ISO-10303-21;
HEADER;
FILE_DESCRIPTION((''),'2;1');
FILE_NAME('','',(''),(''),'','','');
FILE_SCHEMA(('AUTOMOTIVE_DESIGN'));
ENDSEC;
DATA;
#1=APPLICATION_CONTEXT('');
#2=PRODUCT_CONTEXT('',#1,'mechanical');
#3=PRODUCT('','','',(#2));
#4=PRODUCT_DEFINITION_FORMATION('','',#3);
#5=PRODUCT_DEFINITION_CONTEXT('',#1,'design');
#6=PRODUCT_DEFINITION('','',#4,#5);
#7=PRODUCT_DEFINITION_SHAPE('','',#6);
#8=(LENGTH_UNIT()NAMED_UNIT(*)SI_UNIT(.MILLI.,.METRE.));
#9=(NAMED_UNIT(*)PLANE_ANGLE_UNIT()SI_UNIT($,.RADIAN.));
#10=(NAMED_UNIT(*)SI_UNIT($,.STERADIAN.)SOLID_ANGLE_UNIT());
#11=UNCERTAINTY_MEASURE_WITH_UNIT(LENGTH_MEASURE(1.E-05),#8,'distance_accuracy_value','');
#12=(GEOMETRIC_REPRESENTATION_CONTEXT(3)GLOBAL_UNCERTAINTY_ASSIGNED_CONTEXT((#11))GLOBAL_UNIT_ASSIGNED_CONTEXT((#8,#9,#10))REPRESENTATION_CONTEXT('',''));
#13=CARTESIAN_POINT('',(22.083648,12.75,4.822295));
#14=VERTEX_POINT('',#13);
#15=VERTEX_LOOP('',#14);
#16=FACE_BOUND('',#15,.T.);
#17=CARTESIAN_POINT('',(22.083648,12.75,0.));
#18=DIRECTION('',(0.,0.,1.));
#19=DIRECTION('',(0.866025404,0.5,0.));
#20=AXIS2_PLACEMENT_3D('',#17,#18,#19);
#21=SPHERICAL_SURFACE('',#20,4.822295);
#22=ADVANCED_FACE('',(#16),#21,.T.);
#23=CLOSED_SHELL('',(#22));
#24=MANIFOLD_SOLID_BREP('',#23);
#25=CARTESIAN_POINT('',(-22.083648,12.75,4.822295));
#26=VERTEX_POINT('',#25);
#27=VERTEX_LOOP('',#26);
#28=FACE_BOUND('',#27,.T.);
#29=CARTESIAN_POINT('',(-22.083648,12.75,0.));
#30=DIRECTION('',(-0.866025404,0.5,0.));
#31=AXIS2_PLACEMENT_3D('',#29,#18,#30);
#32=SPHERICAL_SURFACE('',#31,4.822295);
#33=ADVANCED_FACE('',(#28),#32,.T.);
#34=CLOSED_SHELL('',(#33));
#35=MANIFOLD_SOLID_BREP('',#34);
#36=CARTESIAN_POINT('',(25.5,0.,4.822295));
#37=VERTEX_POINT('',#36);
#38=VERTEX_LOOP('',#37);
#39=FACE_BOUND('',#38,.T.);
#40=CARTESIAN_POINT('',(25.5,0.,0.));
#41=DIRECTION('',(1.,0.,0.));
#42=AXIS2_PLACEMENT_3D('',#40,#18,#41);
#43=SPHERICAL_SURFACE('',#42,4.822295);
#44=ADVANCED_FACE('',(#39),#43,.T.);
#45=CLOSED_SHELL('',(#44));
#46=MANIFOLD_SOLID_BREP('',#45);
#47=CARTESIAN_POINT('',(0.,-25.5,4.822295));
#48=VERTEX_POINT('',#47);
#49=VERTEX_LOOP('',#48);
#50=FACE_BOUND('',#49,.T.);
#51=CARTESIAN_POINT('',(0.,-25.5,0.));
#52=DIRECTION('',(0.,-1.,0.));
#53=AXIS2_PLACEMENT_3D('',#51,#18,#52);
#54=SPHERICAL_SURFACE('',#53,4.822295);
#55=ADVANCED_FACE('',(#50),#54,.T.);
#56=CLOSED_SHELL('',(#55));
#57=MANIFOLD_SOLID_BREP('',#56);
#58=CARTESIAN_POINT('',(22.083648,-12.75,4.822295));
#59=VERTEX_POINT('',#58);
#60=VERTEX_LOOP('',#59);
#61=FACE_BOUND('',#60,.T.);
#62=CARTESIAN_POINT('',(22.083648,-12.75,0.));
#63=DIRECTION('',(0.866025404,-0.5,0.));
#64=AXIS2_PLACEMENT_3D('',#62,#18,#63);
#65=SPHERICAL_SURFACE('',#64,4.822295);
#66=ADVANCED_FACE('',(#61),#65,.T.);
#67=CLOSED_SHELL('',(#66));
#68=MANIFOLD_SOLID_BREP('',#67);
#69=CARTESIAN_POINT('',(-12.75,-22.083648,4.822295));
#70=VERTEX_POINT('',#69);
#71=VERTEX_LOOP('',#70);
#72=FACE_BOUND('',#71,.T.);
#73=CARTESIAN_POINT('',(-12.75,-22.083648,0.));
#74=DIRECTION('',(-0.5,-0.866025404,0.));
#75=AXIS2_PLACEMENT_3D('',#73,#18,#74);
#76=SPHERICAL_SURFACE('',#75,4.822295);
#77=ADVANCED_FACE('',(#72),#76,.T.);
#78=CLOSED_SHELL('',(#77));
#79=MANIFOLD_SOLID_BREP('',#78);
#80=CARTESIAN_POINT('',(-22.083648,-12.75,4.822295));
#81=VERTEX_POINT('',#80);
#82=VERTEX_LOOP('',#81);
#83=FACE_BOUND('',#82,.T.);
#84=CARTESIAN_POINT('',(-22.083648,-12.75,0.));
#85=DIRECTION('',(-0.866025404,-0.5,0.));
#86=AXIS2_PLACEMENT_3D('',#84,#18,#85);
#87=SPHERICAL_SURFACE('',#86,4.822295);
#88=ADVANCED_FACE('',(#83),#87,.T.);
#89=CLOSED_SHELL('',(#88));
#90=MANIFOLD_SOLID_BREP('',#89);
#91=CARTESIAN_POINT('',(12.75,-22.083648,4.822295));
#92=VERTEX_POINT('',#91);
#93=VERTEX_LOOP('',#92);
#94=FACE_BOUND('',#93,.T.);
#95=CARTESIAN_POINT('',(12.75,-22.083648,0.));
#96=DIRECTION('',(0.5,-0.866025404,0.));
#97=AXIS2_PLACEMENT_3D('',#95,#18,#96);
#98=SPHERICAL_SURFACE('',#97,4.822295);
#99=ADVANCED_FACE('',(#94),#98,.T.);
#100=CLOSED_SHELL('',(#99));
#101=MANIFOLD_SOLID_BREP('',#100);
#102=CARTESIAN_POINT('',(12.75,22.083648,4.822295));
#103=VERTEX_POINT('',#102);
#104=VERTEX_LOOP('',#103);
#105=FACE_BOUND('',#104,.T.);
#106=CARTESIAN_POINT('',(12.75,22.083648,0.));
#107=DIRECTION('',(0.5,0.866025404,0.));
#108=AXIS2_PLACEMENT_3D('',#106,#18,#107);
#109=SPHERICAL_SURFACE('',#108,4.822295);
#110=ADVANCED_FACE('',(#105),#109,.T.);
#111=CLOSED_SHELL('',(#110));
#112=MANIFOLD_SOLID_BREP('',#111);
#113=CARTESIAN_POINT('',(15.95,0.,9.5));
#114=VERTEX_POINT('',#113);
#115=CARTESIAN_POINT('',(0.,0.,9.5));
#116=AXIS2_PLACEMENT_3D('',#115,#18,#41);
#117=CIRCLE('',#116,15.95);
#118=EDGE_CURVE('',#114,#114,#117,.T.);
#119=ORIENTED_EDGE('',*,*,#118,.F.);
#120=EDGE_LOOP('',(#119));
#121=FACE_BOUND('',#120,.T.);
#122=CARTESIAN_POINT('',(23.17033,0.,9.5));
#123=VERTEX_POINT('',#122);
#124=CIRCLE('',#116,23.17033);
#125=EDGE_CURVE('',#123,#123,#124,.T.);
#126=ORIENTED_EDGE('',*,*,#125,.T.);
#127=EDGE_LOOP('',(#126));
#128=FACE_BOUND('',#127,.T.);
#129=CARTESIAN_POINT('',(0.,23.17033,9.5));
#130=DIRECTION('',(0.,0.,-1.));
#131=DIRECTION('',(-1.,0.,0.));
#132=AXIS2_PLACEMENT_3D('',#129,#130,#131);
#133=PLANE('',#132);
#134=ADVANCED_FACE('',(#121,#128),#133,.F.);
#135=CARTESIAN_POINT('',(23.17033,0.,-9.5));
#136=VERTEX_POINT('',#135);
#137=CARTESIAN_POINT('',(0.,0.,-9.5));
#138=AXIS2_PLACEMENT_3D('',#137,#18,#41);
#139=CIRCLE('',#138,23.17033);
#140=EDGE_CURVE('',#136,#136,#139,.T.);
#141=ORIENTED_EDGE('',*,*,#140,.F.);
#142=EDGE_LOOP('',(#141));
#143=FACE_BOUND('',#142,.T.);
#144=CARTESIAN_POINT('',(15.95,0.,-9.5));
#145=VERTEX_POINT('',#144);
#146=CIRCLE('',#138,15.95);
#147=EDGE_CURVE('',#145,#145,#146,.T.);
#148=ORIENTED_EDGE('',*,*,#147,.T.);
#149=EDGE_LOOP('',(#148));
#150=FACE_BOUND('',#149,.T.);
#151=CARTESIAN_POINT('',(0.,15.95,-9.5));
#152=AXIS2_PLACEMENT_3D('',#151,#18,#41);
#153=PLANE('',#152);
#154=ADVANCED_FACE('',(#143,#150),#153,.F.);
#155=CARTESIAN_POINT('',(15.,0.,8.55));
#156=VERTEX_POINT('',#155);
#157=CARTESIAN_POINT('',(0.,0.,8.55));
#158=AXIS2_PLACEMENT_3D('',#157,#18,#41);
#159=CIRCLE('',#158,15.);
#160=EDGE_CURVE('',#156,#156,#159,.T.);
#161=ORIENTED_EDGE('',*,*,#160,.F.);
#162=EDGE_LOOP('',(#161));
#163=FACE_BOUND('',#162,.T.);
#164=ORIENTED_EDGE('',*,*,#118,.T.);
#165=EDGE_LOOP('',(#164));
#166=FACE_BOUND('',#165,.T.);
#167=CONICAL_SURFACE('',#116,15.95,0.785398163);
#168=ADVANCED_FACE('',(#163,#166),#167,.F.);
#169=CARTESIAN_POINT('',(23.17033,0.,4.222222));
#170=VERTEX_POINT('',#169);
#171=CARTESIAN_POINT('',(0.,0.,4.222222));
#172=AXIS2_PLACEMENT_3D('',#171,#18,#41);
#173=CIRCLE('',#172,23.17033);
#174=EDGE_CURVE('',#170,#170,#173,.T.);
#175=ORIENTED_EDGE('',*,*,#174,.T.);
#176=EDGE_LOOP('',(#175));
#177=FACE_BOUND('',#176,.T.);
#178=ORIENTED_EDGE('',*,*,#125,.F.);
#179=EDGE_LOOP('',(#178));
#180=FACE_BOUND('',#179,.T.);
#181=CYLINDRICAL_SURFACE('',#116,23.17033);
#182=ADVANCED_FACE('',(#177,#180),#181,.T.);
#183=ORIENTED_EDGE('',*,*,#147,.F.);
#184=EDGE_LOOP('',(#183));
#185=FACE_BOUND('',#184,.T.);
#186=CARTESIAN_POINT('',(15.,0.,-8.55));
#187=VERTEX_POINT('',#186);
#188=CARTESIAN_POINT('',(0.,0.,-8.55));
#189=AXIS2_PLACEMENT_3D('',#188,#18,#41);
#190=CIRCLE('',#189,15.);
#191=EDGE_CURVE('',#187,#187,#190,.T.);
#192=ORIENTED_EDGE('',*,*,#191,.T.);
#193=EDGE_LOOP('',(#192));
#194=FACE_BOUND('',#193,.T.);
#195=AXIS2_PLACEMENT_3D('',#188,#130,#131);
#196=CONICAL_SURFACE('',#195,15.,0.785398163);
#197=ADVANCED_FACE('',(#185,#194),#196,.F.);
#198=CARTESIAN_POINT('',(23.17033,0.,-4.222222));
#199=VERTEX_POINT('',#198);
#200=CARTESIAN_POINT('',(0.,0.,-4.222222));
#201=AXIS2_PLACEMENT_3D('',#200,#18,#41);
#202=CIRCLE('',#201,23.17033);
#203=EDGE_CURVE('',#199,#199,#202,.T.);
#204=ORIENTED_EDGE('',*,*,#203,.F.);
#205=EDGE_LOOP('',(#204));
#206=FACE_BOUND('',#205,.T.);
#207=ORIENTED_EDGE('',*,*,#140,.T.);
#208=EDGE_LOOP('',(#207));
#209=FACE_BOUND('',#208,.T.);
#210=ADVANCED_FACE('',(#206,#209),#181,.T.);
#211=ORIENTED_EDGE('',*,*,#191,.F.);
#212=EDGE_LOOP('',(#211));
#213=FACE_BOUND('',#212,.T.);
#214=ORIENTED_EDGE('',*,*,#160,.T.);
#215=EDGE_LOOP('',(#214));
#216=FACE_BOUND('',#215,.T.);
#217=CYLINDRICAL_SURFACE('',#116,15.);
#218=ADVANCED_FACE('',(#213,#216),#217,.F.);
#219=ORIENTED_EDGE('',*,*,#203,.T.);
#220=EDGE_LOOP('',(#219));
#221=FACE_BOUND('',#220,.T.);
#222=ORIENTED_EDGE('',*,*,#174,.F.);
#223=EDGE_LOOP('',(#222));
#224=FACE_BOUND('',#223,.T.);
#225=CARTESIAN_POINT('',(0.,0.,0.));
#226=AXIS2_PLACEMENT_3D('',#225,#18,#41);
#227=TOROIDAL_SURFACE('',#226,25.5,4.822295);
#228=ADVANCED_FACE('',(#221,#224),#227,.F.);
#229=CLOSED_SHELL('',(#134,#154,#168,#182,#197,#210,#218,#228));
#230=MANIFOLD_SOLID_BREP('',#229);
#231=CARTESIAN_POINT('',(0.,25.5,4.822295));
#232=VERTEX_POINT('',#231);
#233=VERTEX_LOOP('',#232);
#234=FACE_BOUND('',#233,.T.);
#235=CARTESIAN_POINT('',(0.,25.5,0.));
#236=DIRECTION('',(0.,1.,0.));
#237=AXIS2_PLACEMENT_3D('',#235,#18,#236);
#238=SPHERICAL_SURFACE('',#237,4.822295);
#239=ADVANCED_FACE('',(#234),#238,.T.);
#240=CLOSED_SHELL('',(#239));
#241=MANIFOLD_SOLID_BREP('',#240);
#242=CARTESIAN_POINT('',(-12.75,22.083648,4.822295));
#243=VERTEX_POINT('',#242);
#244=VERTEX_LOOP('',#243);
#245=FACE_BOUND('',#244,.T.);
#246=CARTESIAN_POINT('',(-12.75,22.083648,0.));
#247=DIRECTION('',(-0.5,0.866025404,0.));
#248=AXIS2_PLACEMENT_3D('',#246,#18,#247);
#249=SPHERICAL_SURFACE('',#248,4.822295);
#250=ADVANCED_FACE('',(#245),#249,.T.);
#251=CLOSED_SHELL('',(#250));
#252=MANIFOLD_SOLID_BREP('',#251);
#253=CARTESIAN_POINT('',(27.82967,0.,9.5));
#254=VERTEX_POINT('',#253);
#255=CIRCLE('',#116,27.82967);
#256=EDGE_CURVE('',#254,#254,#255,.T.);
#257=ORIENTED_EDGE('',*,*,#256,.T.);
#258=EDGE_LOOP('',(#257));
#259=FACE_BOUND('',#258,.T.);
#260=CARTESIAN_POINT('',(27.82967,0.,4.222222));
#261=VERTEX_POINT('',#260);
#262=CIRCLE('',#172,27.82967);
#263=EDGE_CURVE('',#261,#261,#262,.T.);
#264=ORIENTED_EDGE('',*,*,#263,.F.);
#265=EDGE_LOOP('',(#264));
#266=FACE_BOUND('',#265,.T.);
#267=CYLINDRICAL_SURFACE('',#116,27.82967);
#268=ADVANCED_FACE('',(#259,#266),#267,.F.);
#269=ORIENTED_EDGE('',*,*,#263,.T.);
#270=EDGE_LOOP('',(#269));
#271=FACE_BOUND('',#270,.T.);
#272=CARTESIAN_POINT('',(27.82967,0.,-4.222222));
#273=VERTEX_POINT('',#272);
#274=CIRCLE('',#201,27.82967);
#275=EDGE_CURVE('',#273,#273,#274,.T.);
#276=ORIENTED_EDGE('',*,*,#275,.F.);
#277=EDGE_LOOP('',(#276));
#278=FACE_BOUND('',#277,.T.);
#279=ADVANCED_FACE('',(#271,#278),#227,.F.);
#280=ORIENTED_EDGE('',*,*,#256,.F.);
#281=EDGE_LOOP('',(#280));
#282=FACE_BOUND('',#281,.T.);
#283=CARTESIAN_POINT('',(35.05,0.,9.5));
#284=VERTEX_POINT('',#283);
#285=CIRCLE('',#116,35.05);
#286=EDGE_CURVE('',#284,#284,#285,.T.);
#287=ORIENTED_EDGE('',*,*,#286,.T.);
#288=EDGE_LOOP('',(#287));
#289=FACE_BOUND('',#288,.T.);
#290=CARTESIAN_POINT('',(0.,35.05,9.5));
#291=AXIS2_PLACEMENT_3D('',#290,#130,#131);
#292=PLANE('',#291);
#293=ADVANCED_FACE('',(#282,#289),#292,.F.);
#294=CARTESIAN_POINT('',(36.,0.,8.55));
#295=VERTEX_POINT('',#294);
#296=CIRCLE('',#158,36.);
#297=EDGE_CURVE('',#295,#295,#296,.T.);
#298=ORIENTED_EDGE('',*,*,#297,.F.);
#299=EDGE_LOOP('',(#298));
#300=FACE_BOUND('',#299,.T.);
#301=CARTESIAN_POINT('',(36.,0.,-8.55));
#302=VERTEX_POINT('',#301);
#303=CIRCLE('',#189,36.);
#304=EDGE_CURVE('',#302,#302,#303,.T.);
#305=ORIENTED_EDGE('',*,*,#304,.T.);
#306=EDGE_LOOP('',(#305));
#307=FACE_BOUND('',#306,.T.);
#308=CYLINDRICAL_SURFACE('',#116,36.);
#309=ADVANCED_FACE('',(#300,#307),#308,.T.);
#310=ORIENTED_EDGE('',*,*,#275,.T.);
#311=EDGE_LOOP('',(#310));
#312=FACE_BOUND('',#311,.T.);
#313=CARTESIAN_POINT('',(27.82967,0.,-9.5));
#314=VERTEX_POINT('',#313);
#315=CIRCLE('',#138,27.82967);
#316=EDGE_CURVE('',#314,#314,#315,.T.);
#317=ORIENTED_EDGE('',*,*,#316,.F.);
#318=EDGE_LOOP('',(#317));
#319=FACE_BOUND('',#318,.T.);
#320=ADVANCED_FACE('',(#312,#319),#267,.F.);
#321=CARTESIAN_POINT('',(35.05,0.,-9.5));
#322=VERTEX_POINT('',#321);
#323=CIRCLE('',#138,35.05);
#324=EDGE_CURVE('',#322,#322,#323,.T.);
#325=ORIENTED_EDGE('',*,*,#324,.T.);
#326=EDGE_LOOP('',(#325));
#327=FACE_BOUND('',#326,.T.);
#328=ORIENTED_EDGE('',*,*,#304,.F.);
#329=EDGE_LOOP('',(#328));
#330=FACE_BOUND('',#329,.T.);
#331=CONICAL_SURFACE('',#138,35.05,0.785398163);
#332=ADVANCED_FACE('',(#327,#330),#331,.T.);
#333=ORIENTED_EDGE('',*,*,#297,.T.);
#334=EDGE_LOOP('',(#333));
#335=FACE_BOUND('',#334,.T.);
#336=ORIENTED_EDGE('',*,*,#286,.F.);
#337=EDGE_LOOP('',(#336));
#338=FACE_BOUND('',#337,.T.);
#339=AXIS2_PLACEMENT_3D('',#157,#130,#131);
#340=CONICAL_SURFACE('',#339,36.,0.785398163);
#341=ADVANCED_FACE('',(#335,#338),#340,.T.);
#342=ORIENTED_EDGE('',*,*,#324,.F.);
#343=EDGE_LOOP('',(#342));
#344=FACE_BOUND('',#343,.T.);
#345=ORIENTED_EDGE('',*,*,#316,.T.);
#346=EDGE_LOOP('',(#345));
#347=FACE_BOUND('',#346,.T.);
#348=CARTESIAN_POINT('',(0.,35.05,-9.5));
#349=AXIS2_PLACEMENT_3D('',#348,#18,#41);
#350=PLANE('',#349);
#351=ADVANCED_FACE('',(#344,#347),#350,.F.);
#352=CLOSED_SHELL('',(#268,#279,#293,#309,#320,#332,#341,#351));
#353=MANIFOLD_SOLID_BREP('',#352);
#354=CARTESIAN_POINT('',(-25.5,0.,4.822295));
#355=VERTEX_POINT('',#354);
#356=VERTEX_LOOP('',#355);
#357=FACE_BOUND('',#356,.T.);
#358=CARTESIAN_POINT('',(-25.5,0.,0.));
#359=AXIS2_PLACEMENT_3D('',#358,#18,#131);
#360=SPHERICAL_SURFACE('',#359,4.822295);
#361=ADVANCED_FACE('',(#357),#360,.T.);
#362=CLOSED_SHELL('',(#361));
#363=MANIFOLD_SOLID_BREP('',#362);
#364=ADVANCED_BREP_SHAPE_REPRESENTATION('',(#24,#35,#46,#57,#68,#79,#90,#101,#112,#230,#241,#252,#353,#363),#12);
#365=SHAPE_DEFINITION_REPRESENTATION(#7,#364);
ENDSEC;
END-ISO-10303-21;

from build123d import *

# Parameters (mm, degrees)
CIRPATTERN1_COUNT = 12


with BuildPart() as part:
    # Sketch1 → Revolve1 (revolve)
    with BuildSketch(Plane(origin=(0, 0, 0), x_dir=(0, 0, -1), z_dir=(1, 0, 0))):
        with BuildLine():
            Line((8.55, 36), (-8.55, 36))
            Line((-8.55, 36), (-9.5, 35.05))
            Line((-9.5, 35.05), (-9.5, 27.82967033))
            Line((-9.5, 27.82967033), (-4.222222222, 27.82967033))
            ThreePointArc((-4.222222222, 27.82967033), (0, 30.32229451), (4.222222222, 27.82967033))
            Line((4.222222222, 27.82967033), (9.5, 27.82967033))
            Line((9.5, 27.82967033), (9.5, 35.05))
            Line((9.5, 35.05), (8.55, 36))
        make_face()
    revolve(axis=Axis((0, 0, 9.5), (0, 0, -1)))


with BuildPart() as body_2:
    # Sketch3 → Revolve3 (revolve)
    with BuildSketch(Plane(origin=(0, 0, 0), x_dir=(0, 0, -1), z_dir=(1, 0, 0))):
        with BuildLine():
            Line((-9.5, 23.17032967), (-4.222222222, 23.17032967))
            ThreePointArc((-4.222222222, 23.17032967), (0, 20.67770549), (4.222222222, 23.17032967))
            Line((4.222222222, 23.17032967), (9.5, 23.17032967))
            Line((9.5, 23.17032967), (9.5, 15.95))
            Line((9.5, 15.95), (8.55, 15))
            Line((8.55, 15), (-8.55, 15))
            Line((-8.55, 15), (-9.5, 15.95))
            Line((-9.5, 15.95), (-9.5, 23.17032967))
        make_face()
    revolve(axis=Axis((0, 0, 9.5), (0, 0, -1)))


with BuildPart() as body_3:
    # Sketch4 → Revolve4 (revolve)
    with BuildSketch(Plane(origin=(0, 0, 0), x_dir=(0, 0, -1), z_dir=(1, 0, 0))):
        with BuildLine():
            Line((-4.82229451, 25.5), (4.82229451, 25.5))
            ThreePointArc((4.82229451, 25.5), (0, 30.32229451), (-4.82229451, 25.5))
        make_face()
    revolve(axis=Axis((0, 25.5, 4.82229451), (0, 0, -1)))


with BuildPart() as cirpattern1_1:
    # CirPattern1: pattern copy
    add(body_3.part.rotate(Axis((0, 0, -9.5), (0, 0, 1)), 1 * 360 / CIRPATTERN1_COUNT))


with BuildPart() as cirpattern1_2:
    # CirPattern1: pattern copy
    add(body_3.part.rotate(Axis((0, 0, -9.5), (0, 0, 1)), 2 * 360 / CIRPATTERN1_COUNT))


with BuildPart() as cirpattern1_3:
    # CirPattern1: pattern copy
    add(body_3.part.rotate(Axis((0, 0, -9.5), (0, 0, 1)), 3 * 360 / CIRPATTERN1_COUNT))


with BuildPart() as cirpattern1_4:
    # CirPattern1: pattern copy
    add(body_3.part.rotate(Axis((0, 0, -9.5), (0, 0, 1)), 4 * 360 / CIRPATTERN1_COUNT))


with BuildPart() as cirpattern1_5:
    # CirPattern1: pattern copy
    add(body_3.part.rotate(Axis((0, 0, -9.5), (0, 0, 1)), 5 * 360 / CIRPATTERN1_COUNT))


with BuildPart() as cirpattern1_6:
    # CirPattern1: pattern copy
    add(body_3.part.rotate(Axis((0, 0, -9.5), (0, 0, 1)), 6 * 360 / CIRPATTERN1_COUNT))


with BuildPart() as cirpattern1_7:
    # CirPattern1: pattern copy
    add(body_3.part.rotate(Axis((0, 0, -9.5), (0, 0, 1)), 7 * 360 / CIRPATTERN1_COUNT))


with BuildPart() as cirpattern1_8:
    # CirPattern1: pattern copy
    add(body_3.part.rotate(Axis((0, 0, -9.5), (0, 0, 1)), 8 * 360 / CIRPATTERN1_COUNT))


with BuildPart() as cirpattern1_9:
    # CirPattern1: pattern copy
    add(body_3.part.rotate(Axis((0, 0, -9.5), (0, 0, 1)), 9 * 360 / CIRPATTERN1_COUNT))


with BuildPart() as cirpattern1_10:
    # CirPattern1: pattern copy
    add(body_3.part.rotate(Axis((0, 0, -9.5), (0, 0, 1)), 10 * 360 / CIRPATTERN1_COUNT))


with BuildPart() as cirpattern1_11:
    # CirPattern1: pattern copy
    add(body_3.part.rotate(Axis((0, 0, -9.5), (0, 0, 1)), 11 * 360 / CIRPATTERN1_COUNT))


solid = Compound([part.part, body_2.part, body_3.part, cirpattern1_1.part, cirpattern1_2.part, cirpattern1_3.part, cirpattern1_4.part, cirpattern1_5.part, cirpattern1_6.part, cirpattern1_7.part, cirpattern1_8.part, cirpattern1_9.part, cirpattern1_10.part, cirpattern1_11.part])
